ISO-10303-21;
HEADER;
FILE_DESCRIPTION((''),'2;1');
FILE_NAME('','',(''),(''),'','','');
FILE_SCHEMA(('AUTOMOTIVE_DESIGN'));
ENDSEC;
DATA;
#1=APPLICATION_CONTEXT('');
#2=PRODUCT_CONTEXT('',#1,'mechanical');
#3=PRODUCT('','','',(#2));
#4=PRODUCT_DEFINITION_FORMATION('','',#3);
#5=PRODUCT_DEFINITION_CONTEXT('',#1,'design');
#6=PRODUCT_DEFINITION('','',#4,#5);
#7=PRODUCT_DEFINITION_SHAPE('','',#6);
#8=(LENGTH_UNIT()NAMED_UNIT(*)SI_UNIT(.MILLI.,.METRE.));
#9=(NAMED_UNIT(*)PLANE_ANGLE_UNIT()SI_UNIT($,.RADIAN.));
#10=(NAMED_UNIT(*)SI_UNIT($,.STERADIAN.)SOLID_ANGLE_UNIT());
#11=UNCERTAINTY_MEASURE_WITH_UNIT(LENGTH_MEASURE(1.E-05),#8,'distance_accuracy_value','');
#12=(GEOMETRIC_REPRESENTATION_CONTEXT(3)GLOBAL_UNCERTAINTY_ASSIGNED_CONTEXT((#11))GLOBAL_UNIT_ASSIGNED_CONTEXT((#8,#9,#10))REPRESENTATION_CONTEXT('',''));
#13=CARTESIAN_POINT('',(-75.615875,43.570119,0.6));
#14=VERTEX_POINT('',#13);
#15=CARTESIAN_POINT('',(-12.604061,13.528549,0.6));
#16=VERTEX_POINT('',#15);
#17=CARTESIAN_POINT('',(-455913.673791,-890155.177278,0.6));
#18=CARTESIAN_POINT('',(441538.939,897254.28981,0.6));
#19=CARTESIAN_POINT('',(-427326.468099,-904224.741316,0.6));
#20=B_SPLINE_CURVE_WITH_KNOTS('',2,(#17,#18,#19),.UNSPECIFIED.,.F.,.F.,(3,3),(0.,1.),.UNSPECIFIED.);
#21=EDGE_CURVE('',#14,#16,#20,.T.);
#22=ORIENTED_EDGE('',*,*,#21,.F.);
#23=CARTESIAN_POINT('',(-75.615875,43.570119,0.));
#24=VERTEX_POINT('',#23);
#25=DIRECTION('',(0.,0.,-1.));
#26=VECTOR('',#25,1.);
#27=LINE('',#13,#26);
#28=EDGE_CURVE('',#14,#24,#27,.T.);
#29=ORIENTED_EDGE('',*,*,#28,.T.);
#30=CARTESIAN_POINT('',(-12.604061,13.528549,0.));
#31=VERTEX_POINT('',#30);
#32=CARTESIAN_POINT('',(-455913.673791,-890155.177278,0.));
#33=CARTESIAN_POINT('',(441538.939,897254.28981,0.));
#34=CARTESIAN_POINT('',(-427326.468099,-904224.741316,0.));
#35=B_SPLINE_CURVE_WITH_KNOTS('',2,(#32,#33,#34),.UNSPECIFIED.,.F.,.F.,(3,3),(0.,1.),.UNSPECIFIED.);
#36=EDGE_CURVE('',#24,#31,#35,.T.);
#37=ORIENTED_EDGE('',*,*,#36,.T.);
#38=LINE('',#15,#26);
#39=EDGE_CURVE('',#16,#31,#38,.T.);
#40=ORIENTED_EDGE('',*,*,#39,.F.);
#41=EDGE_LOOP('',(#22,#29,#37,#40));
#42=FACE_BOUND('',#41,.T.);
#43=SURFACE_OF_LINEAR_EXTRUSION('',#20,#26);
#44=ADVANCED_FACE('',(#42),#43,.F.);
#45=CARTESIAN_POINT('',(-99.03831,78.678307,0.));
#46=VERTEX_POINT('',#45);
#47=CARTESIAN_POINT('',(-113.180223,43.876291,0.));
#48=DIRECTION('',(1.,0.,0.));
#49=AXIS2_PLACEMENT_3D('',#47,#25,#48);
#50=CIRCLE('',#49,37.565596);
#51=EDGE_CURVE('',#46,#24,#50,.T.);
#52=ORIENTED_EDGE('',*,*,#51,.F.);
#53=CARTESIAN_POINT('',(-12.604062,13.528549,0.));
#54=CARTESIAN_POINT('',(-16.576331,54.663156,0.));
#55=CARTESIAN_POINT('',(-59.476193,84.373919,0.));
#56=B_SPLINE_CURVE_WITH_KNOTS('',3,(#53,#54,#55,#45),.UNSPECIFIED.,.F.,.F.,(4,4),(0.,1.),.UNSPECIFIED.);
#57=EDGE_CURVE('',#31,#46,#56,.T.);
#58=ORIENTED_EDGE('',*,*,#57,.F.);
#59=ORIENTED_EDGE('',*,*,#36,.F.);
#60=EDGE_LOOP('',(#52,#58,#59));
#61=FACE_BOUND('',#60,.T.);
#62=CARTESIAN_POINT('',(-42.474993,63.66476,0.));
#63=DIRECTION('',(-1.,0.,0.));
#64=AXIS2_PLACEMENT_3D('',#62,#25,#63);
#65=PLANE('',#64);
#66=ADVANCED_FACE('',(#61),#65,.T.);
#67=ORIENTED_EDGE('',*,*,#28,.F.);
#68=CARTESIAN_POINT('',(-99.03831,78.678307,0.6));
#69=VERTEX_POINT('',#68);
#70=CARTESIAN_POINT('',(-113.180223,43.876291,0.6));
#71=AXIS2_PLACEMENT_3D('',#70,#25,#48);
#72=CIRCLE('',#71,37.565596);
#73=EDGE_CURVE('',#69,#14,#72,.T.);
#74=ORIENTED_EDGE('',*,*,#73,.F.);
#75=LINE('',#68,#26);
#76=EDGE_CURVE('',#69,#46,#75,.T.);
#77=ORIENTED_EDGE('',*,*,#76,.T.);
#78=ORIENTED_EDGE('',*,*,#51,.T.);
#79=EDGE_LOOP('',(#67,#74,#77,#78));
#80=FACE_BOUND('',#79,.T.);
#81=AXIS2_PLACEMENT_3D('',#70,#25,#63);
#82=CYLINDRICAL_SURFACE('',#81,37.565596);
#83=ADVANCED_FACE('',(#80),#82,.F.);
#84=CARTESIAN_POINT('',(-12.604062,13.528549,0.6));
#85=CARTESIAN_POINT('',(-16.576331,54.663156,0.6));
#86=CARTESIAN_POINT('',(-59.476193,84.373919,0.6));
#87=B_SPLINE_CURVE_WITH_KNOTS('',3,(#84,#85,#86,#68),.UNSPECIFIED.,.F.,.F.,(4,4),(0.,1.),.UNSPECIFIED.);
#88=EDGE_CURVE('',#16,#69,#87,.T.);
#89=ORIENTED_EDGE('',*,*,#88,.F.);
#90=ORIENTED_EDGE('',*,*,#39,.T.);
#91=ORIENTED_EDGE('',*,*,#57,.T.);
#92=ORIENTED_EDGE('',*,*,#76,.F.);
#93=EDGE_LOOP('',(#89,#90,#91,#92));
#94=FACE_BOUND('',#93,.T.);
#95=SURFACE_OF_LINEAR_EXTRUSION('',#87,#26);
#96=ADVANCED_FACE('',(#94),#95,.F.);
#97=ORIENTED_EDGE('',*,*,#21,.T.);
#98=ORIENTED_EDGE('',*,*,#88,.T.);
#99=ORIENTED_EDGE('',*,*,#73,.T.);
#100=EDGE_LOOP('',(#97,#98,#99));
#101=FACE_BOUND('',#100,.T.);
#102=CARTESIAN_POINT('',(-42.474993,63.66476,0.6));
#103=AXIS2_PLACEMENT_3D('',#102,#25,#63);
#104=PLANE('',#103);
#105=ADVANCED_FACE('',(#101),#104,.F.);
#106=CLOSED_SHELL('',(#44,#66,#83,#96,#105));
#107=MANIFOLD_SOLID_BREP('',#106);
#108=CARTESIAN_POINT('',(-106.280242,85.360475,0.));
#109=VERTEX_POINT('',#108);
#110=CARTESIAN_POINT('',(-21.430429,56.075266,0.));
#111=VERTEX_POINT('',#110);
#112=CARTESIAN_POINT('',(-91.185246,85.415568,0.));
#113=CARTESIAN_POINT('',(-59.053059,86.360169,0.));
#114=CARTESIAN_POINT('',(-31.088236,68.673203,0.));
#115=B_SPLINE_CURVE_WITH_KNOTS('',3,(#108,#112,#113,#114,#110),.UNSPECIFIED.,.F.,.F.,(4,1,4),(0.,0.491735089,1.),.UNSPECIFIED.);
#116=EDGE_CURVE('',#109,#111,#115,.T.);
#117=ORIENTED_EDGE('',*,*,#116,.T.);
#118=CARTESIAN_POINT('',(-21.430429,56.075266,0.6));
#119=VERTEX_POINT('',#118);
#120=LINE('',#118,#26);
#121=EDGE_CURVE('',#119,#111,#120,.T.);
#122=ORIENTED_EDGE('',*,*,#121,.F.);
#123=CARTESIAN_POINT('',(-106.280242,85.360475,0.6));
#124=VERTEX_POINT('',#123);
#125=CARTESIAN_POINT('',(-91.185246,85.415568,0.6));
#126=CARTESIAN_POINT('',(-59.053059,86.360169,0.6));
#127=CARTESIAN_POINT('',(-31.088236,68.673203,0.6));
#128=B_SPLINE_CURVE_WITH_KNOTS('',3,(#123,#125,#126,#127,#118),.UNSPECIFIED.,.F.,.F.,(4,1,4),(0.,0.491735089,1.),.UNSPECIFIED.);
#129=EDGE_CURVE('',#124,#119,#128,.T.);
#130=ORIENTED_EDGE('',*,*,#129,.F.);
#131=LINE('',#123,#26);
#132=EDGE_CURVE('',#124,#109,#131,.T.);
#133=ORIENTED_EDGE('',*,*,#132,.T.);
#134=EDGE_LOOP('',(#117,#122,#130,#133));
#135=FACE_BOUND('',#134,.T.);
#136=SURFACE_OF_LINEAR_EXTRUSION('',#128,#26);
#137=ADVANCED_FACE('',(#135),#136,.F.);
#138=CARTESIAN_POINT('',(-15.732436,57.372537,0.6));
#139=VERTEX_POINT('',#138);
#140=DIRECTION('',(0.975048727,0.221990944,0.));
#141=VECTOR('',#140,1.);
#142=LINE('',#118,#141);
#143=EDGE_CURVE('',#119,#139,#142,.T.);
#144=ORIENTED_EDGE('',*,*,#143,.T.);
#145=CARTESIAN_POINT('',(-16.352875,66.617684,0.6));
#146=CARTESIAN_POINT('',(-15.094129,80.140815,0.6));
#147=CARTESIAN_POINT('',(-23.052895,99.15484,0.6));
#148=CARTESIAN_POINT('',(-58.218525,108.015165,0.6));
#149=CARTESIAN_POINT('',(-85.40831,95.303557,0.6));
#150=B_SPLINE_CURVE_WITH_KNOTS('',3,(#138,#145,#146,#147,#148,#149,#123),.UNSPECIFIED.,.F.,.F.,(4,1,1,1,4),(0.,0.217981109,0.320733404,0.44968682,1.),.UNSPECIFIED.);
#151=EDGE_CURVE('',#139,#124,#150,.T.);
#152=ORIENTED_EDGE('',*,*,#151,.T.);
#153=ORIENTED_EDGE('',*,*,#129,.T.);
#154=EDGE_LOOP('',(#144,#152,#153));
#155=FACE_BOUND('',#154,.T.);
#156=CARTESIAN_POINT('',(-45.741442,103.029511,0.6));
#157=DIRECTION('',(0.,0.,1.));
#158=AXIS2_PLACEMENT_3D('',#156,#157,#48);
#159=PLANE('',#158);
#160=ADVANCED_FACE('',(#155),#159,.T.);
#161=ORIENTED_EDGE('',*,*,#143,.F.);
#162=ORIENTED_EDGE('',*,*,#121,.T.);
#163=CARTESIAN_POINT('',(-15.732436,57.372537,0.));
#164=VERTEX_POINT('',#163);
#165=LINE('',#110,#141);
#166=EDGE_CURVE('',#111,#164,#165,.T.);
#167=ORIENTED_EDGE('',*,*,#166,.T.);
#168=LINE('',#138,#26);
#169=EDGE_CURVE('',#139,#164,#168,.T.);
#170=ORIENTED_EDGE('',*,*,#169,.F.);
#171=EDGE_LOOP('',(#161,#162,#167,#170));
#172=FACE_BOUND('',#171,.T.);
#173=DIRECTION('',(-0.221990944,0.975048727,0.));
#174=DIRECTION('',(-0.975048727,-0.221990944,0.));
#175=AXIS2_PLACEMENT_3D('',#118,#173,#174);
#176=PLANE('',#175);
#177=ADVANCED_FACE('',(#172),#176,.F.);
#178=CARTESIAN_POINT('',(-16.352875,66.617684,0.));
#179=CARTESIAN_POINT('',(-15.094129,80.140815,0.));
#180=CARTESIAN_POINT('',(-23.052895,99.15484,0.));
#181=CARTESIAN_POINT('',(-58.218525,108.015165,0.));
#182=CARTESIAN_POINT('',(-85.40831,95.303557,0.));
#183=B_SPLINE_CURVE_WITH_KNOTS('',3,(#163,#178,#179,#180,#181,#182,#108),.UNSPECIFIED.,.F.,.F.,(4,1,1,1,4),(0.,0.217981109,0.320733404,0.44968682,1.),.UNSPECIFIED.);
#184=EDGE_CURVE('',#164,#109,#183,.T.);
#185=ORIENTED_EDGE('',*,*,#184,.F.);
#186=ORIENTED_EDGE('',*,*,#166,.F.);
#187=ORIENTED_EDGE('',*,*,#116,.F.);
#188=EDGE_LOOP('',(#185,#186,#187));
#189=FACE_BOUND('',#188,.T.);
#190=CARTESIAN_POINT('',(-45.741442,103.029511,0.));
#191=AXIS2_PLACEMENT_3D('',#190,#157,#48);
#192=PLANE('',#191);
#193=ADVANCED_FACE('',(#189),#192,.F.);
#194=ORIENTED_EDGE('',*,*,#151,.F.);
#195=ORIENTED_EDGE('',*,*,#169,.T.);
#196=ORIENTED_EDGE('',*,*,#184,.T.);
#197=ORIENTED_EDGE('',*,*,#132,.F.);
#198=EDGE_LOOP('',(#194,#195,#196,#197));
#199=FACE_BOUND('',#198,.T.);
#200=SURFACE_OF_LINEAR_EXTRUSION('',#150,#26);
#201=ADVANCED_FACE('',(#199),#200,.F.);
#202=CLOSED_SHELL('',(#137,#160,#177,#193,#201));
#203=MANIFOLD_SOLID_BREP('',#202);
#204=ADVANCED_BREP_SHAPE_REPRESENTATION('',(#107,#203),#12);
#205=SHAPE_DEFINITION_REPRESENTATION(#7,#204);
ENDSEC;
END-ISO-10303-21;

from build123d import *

# Parameters (mm, degrees)
EXTRUDE_1_DEPTH   = 0.6
EXTRUDE_1_2_DEPTH = 0.6


with BuildPart() as part:
    # 草图1 → 凸台-拉伸1 (new body)
    with BuildSketch(Plane.XY):
        with BuildLine():
            Line((-21.430428591, 56.075265565), (-15.732435604, 57.372536979))
            add(Edge.make_bspline(
                [(-15.732435604, 57.372536979), (-16.352874844, 66.617684038), (-15.094128925, 80.14081547), (-23.052895127, 99.154839521), (-58.218524544, 108.015164997), (-85.408309672, 95.303557212), (-106.280242174, 85.360474504)],
                knots=[0, 0, 0, 0, 0.217981109, 0.320733404, 0.44968682, 1, 1, 1, 1], degree=3))
            add(Edge.make_bspline(
                [(-106.280242174, 85.360474504), (-91.185245566, 85.415567905), (-59.053058909, 86.36016946), (-31.088236286, 68.673203369), (-21.430428591, 56.075265565)],
                knots=[0, 0, 0, 0, 0.491735089, 1, 1, 1, 1], degree=3))
        make_face()
    extrude(amount=EXTRUDE_1_DEPTH)


with BuildPart() as body_2:
    # 草图1 → Extrude 1 2 (new body)
    with BuildSketch(Plane.XY):
        with BuildLine():
            ThreePointArc((-75.615874929, 43.570118882), (-81.930733792, 64.724394407), (-99.038309587, 78.678306615))
            add(Edge.make_bspline(
                [(-12.604061511, 13.528549047), (-16.576330828, 54.663156355), (-59.476193489, 84.373919061), (-99.038309587, 78.678306615)],
                knots=[0, 0, 0, 0, 1, 1, 1, 1], degree=3))
            add(Edge.make_bspline(
                [(-75.615874929, 43.570118882), (-39.87136374, 37.161531029), (-12.604061511, 13.528549047)],
                knots=[0, 0, 0, 1, 1, 1], degree=2))
        make_face()
    extrude(amount=EXTRUDE_1_2_DEPTH)


solid = Compound([part.part, body_2.part])
